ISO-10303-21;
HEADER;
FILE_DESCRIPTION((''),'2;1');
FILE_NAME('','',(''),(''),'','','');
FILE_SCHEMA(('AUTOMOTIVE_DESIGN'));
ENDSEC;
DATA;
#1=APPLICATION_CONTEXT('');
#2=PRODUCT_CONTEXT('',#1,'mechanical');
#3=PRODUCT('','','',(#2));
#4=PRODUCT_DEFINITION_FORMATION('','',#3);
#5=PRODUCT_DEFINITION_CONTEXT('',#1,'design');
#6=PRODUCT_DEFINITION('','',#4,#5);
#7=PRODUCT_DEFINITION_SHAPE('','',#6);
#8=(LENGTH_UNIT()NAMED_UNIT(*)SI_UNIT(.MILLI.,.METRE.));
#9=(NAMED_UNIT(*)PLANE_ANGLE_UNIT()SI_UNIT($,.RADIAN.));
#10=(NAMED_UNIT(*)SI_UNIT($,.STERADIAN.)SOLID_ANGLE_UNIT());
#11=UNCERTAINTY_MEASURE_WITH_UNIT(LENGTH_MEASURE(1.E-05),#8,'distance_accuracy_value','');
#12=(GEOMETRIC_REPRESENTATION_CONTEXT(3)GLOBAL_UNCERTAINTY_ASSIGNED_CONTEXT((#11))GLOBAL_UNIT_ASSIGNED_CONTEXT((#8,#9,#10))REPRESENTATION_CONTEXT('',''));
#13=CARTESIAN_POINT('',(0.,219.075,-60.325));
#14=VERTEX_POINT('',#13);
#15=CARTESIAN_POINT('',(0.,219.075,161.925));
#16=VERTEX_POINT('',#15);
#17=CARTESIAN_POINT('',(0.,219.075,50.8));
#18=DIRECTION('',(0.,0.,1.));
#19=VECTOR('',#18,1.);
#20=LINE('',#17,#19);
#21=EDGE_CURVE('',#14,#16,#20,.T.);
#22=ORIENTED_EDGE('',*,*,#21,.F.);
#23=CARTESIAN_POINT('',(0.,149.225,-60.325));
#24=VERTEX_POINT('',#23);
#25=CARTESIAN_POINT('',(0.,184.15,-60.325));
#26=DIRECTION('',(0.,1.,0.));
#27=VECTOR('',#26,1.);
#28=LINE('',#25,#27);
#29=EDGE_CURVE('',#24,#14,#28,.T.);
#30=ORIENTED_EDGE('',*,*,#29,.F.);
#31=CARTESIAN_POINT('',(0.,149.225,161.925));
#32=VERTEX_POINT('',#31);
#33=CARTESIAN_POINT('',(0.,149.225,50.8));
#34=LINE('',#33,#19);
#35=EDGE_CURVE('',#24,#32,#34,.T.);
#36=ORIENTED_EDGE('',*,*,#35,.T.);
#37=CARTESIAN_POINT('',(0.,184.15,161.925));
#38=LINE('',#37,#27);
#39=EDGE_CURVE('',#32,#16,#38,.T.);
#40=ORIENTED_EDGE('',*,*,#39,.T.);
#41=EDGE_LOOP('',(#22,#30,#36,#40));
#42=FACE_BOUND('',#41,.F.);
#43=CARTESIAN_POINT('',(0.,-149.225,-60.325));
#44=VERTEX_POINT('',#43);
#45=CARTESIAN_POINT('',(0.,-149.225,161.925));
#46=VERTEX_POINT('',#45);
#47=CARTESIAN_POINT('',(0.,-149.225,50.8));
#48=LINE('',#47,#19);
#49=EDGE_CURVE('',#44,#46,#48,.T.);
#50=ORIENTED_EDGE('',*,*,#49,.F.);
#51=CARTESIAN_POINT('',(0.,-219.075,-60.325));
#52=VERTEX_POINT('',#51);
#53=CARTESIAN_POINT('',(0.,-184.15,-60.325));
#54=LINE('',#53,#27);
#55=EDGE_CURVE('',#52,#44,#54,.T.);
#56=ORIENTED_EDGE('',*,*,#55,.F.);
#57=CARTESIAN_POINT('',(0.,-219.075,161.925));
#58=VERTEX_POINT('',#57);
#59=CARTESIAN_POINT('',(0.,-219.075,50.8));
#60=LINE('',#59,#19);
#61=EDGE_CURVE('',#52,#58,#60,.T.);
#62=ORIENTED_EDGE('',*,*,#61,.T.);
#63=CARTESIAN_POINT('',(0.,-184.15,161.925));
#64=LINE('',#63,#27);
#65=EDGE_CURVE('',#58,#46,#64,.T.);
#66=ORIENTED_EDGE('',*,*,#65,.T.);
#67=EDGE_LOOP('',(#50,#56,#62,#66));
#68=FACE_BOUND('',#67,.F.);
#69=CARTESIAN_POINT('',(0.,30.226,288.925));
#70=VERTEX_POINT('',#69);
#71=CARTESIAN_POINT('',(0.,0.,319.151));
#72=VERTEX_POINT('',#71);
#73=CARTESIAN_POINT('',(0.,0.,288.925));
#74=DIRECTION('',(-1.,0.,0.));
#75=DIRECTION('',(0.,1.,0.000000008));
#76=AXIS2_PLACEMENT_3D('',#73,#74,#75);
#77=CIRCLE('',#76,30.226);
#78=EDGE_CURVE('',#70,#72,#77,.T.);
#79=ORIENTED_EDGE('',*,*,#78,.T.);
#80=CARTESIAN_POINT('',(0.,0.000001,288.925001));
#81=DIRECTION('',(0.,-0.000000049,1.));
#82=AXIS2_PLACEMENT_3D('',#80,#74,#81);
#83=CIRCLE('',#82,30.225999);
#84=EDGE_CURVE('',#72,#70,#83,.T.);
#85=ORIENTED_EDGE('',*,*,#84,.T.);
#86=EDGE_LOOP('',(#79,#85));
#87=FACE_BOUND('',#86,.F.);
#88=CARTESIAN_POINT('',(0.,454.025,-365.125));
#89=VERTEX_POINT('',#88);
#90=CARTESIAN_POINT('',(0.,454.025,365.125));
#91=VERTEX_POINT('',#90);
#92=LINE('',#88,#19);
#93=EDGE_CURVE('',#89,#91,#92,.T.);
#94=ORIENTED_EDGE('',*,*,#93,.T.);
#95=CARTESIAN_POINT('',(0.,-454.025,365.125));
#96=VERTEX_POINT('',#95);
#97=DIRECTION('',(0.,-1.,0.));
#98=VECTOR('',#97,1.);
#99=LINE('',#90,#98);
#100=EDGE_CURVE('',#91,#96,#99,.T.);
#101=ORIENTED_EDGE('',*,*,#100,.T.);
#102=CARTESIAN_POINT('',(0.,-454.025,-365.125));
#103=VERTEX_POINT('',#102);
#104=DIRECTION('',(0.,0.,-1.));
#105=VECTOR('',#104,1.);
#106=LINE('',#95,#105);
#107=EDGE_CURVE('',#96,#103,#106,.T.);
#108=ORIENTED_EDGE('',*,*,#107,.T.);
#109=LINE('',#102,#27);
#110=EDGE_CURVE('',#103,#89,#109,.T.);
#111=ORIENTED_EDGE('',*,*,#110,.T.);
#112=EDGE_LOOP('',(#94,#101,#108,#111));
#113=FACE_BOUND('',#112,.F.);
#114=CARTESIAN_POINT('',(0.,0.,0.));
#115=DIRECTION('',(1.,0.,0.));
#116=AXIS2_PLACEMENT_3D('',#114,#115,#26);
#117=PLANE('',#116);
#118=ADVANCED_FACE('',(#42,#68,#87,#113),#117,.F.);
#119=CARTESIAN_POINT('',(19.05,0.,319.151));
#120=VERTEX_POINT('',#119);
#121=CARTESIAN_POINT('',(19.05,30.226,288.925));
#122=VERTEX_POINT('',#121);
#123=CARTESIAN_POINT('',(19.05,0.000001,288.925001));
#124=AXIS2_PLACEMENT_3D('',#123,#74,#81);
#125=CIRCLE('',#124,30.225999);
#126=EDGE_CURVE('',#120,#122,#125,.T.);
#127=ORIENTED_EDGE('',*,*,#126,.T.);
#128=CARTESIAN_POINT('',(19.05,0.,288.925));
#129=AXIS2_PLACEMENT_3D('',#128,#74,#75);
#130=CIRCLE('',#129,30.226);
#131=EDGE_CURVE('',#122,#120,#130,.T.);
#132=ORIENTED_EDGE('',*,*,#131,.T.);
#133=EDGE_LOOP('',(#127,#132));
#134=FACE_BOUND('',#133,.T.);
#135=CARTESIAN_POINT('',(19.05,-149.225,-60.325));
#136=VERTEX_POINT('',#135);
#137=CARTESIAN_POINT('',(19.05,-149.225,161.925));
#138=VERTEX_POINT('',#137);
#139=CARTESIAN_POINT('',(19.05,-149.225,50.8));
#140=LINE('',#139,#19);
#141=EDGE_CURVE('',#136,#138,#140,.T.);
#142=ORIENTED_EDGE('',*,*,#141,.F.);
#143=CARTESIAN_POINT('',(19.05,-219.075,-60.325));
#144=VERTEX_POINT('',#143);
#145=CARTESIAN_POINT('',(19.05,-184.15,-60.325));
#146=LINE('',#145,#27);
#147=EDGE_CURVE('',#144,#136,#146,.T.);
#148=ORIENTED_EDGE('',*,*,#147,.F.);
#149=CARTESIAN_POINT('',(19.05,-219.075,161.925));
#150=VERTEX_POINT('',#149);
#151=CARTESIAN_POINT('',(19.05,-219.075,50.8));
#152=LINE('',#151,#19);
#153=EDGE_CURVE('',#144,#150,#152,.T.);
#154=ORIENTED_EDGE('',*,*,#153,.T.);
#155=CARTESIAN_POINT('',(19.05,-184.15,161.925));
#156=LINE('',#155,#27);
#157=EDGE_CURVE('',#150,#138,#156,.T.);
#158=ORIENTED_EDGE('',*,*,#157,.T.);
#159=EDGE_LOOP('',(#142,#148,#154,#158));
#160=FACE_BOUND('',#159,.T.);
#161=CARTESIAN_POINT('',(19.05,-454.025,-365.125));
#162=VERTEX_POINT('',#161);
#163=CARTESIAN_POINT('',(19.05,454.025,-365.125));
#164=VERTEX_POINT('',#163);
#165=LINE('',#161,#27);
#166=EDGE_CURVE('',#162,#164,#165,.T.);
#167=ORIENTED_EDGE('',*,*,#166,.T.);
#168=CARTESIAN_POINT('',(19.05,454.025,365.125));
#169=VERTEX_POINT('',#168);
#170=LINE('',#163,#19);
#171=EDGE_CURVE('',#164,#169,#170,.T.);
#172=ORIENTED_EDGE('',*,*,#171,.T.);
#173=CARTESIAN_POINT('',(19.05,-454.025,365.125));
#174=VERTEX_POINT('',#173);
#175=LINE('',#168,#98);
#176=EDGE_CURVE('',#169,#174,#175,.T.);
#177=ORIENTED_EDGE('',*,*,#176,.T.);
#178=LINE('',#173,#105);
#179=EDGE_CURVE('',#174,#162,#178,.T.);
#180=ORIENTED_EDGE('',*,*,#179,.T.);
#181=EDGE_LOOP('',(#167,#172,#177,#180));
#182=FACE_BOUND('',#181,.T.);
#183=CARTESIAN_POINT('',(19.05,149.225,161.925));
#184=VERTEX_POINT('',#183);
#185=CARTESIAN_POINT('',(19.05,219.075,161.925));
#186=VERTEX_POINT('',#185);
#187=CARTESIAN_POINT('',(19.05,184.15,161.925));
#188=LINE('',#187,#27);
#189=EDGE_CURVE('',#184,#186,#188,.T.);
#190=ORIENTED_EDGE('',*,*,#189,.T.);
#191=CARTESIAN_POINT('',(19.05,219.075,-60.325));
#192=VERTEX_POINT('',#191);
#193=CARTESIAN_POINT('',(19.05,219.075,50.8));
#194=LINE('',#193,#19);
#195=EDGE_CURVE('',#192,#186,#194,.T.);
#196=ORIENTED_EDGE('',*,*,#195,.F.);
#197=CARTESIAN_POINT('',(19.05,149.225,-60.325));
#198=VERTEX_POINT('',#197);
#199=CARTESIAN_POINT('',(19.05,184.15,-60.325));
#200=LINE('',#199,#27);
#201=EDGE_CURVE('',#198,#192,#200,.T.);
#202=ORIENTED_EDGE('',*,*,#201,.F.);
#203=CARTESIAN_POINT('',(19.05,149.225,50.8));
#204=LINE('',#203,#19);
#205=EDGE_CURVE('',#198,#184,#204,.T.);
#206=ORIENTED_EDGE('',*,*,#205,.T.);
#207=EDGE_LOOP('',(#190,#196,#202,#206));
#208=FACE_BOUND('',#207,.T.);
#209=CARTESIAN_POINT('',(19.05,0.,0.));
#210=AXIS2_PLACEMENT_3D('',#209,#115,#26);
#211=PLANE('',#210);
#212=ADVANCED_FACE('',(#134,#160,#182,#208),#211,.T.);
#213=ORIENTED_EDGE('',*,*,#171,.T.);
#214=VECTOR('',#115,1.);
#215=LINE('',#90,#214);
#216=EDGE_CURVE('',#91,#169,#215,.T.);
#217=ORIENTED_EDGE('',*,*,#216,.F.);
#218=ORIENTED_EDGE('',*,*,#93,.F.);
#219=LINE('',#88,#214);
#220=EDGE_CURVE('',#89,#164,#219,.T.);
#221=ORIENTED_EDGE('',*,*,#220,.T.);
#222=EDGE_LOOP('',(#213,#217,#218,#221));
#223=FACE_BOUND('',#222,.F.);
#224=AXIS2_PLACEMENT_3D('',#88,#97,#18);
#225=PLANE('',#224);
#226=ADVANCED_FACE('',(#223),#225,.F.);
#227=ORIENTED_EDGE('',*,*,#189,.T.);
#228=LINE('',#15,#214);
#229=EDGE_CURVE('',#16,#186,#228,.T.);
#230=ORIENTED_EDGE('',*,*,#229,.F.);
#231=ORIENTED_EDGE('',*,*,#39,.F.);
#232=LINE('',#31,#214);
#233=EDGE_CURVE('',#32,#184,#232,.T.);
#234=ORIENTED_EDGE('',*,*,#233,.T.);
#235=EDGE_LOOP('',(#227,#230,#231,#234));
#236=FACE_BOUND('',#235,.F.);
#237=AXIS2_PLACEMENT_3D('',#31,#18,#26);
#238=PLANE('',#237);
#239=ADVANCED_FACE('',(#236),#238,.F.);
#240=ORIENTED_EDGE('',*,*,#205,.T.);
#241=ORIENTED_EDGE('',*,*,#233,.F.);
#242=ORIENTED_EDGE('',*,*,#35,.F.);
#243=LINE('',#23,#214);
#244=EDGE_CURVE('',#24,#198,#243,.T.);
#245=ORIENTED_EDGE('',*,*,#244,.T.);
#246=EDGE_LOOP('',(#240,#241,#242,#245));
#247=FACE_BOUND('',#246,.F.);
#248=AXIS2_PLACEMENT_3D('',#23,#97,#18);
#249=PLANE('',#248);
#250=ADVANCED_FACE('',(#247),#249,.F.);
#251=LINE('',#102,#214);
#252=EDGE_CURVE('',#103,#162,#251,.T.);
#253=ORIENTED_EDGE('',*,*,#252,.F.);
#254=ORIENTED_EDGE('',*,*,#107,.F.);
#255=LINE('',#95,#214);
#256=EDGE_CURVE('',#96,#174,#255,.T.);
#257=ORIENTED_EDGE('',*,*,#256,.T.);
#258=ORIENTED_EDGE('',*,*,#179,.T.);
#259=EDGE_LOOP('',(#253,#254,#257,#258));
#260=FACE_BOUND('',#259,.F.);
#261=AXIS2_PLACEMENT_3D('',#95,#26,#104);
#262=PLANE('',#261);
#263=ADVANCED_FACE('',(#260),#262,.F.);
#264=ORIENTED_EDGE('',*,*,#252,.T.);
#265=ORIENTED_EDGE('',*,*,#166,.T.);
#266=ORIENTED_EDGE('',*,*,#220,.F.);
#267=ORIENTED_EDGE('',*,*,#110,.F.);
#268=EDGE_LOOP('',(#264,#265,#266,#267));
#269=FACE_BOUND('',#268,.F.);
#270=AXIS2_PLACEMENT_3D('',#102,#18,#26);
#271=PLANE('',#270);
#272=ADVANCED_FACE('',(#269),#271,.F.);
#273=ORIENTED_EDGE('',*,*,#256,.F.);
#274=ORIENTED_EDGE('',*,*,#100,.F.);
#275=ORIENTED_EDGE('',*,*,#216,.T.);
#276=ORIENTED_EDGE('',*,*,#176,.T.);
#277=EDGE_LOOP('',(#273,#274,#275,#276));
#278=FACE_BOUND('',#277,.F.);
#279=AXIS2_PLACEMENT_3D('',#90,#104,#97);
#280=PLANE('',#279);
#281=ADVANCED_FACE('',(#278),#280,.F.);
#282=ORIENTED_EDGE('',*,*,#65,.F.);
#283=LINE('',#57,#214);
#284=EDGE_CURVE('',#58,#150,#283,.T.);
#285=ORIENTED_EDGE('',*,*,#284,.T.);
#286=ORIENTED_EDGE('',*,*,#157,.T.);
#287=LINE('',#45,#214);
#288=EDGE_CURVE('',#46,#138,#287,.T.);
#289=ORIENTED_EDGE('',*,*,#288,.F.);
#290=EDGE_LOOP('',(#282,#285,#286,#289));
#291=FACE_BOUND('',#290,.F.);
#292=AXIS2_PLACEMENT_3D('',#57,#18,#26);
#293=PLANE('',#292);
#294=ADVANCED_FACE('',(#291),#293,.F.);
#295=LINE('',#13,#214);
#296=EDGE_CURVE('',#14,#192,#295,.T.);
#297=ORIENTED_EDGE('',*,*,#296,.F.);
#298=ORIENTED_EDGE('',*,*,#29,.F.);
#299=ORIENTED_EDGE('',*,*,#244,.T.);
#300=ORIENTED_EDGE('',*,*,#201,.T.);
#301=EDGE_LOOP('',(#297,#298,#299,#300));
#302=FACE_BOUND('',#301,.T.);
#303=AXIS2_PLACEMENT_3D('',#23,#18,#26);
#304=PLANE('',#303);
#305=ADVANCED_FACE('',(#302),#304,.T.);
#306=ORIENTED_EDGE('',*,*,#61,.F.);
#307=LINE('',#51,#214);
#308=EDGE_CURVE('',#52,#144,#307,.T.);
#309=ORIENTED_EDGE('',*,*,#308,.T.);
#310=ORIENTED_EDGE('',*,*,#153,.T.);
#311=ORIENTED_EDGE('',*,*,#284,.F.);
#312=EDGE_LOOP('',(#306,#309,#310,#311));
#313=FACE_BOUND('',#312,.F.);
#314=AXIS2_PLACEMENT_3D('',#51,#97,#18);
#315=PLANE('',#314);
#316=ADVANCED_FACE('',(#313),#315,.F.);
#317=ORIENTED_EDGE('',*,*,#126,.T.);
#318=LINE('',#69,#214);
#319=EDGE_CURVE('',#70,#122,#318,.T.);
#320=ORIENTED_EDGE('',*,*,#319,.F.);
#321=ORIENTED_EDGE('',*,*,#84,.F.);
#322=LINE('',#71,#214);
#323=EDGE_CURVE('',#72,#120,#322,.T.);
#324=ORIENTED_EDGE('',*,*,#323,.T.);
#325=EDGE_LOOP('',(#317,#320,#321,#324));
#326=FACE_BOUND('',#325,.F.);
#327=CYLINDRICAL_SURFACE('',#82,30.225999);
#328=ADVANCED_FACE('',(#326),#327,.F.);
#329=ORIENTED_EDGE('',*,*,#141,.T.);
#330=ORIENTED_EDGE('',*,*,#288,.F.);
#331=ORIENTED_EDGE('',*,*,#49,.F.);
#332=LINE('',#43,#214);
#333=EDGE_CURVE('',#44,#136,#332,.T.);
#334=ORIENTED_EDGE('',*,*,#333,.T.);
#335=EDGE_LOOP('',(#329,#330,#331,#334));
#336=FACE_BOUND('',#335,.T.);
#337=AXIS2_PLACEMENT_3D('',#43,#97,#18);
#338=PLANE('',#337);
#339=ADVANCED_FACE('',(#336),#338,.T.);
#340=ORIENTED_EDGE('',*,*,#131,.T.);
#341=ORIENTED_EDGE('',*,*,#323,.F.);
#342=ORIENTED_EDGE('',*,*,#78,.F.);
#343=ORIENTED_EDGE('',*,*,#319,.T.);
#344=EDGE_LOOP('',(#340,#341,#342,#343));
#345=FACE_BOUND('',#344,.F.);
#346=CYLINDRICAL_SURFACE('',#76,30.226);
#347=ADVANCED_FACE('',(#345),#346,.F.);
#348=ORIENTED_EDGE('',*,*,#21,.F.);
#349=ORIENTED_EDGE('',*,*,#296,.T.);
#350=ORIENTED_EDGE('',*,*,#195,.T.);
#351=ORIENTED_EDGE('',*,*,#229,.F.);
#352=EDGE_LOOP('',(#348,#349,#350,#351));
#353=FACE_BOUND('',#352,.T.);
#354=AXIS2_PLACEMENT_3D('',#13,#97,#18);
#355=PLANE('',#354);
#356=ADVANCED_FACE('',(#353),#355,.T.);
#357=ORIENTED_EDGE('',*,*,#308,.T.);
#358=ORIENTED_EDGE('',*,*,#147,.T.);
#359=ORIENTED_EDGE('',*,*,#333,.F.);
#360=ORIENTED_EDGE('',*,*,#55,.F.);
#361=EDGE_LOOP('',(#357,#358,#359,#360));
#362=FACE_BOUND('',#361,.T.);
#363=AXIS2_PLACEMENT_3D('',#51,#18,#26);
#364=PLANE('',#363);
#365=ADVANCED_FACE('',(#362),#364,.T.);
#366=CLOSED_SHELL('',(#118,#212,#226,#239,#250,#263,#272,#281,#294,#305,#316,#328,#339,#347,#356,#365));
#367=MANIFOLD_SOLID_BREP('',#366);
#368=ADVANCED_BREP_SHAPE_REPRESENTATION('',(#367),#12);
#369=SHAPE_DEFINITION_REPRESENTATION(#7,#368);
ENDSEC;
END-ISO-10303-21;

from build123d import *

# Parameters (mm, degrees)
F0_W     = 69.85
F0_H     = 222.25
F1_DEPTH = 19.05


with BuildPart() as f1:
    # F0 (on Right) → F1 (new body)
    with BuildSketch(Plane.YZ):
        Polygon((0, 365.125), (-454.025, 365.125), (-454.025, -365.125), (-149.225, -365.125), (149.225, -365.125), (454.025, -365.125), (454.025, 365.125), align=None)
        with Locations((-184.15, 50.8)):
            Rectangle(F0_W, F0_H, mode=Mode.SUBTRACT)
        with Locations((184.15, 50.8)):
            Rectangle(F0_W, F0_H, mode=Mode.SUBTRACT)
        with BuildLine():
            ThreePointArc((30.226, 288.925), (-21.37301, 267.55199), (0, 319.151))
            ThreePointArc((0, 319.151), (21.37301, 310.29801), (30.226, 288.925))
        make_face(mode=Mode.SUBTRACT)
    extrude(amount=F1_DEPTH)


solid = f1.part
